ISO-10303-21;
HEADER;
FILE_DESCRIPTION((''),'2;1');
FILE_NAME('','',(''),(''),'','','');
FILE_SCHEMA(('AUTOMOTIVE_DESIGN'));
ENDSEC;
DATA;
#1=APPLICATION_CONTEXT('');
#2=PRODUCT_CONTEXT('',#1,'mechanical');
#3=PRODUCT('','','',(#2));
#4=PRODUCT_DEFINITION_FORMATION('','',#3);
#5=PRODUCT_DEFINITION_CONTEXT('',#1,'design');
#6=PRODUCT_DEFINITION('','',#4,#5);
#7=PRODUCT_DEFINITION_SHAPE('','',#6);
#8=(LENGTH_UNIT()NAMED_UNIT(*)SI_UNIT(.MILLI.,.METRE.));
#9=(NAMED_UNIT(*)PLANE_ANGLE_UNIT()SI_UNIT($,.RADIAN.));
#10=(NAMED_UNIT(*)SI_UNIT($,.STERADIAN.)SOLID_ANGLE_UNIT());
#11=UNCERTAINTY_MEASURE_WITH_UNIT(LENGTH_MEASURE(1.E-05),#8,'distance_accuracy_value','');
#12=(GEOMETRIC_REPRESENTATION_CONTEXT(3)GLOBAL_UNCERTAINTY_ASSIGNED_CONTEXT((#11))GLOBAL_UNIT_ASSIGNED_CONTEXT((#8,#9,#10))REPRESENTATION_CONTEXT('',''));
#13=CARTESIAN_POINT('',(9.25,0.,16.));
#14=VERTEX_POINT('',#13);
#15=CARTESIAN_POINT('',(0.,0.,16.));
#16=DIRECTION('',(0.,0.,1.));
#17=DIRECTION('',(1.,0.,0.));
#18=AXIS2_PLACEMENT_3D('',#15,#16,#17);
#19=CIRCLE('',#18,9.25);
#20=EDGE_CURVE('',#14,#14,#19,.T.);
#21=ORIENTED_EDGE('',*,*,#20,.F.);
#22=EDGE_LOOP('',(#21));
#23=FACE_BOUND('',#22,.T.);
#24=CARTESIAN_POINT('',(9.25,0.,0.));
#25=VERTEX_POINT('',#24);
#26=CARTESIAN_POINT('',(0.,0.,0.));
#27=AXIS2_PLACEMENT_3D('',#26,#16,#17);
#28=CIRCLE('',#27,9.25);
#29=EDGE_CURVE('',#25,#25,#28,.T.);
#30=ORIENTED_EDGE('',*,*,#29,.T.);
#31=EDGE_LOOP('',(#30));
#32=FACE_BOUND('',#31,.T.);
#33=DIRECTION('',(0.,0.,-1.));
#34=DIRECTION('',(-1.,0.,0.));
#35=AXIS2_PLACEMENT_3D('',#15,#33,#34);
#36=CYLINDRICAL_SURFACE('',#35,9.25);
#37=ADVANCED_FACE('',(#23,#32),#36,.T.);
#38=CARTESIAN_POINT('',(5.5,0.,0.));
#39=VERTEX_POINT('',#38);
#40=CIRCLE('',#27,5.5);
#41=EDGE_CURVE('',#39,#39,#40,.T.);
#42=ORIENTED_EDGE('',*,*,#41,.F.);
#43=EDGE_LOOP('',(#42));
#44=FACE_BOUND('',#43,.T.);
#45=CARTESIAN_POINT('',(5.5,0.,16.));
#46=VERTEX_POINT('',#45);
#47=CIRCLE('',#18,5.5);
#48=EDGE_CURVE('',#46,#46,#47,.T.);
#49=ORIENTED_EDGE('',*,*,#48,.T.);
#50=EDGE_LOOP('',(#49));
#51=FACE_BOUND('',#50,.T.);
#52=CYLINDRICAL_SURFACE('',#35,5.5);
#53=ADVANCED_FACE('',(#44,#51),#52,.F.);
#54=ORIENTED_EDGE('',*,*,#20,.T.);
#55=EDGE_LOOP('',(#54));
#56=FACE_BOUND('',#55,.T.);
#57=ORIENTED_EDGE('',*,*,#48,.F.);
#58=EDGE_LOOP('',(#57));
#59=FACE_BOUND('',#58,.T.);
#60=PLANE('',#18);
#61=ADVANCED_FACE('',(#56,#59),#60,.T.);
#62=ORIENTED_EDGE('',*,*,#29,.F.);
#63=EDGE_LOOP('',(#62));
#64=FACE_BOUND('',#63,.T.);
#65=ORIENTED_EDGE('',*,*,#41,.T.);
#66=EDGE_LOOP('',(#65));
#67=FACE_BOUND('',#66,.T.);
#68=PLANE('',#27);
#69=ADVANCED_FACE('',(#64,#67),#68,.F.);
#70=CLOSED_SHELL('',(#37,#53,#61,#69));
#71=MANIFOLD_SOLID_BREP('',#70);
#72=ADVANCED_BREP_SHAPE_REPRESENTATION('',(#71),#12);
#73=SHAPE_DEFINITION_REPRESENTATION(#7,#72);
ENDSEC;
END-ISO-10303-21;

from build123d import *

# Parameters (mm, degrees)
SKETCH1_R           = 9.25
SKETCH1_R_2         = 5.5
BOSS_EXTRUDE1_DEPTH = 16
SKETCH1_2_R         = 9.25
SKETCH1_2_R_2       = 5.5
BOSS_EXTRUDE2_DEPTH = 1.5


with BuildPart() as part:
    # Sketch1 → Boss-Extrude1 (new body)
    with BuildSketch(Plane.XY):
        Circle(SKETCH1_R)
        Circle(SKETCH1_R_2, mode=Mode.SUBTRACT)
    extrude(amount=BOSS_EXTRUDE1_DEPTH)

    # Sketch1<2> → Boss-Extrude2 (add)
    with BuildSketch(Plane.XY):
        Circle(SKETCH1_2_R)
        Circle(SKETCH1_2_R_2, mode=Mode.SUBTRACT)
    extrude(amount=BOSS_EXTRUDE2_DEPTH)


solid = part.part
